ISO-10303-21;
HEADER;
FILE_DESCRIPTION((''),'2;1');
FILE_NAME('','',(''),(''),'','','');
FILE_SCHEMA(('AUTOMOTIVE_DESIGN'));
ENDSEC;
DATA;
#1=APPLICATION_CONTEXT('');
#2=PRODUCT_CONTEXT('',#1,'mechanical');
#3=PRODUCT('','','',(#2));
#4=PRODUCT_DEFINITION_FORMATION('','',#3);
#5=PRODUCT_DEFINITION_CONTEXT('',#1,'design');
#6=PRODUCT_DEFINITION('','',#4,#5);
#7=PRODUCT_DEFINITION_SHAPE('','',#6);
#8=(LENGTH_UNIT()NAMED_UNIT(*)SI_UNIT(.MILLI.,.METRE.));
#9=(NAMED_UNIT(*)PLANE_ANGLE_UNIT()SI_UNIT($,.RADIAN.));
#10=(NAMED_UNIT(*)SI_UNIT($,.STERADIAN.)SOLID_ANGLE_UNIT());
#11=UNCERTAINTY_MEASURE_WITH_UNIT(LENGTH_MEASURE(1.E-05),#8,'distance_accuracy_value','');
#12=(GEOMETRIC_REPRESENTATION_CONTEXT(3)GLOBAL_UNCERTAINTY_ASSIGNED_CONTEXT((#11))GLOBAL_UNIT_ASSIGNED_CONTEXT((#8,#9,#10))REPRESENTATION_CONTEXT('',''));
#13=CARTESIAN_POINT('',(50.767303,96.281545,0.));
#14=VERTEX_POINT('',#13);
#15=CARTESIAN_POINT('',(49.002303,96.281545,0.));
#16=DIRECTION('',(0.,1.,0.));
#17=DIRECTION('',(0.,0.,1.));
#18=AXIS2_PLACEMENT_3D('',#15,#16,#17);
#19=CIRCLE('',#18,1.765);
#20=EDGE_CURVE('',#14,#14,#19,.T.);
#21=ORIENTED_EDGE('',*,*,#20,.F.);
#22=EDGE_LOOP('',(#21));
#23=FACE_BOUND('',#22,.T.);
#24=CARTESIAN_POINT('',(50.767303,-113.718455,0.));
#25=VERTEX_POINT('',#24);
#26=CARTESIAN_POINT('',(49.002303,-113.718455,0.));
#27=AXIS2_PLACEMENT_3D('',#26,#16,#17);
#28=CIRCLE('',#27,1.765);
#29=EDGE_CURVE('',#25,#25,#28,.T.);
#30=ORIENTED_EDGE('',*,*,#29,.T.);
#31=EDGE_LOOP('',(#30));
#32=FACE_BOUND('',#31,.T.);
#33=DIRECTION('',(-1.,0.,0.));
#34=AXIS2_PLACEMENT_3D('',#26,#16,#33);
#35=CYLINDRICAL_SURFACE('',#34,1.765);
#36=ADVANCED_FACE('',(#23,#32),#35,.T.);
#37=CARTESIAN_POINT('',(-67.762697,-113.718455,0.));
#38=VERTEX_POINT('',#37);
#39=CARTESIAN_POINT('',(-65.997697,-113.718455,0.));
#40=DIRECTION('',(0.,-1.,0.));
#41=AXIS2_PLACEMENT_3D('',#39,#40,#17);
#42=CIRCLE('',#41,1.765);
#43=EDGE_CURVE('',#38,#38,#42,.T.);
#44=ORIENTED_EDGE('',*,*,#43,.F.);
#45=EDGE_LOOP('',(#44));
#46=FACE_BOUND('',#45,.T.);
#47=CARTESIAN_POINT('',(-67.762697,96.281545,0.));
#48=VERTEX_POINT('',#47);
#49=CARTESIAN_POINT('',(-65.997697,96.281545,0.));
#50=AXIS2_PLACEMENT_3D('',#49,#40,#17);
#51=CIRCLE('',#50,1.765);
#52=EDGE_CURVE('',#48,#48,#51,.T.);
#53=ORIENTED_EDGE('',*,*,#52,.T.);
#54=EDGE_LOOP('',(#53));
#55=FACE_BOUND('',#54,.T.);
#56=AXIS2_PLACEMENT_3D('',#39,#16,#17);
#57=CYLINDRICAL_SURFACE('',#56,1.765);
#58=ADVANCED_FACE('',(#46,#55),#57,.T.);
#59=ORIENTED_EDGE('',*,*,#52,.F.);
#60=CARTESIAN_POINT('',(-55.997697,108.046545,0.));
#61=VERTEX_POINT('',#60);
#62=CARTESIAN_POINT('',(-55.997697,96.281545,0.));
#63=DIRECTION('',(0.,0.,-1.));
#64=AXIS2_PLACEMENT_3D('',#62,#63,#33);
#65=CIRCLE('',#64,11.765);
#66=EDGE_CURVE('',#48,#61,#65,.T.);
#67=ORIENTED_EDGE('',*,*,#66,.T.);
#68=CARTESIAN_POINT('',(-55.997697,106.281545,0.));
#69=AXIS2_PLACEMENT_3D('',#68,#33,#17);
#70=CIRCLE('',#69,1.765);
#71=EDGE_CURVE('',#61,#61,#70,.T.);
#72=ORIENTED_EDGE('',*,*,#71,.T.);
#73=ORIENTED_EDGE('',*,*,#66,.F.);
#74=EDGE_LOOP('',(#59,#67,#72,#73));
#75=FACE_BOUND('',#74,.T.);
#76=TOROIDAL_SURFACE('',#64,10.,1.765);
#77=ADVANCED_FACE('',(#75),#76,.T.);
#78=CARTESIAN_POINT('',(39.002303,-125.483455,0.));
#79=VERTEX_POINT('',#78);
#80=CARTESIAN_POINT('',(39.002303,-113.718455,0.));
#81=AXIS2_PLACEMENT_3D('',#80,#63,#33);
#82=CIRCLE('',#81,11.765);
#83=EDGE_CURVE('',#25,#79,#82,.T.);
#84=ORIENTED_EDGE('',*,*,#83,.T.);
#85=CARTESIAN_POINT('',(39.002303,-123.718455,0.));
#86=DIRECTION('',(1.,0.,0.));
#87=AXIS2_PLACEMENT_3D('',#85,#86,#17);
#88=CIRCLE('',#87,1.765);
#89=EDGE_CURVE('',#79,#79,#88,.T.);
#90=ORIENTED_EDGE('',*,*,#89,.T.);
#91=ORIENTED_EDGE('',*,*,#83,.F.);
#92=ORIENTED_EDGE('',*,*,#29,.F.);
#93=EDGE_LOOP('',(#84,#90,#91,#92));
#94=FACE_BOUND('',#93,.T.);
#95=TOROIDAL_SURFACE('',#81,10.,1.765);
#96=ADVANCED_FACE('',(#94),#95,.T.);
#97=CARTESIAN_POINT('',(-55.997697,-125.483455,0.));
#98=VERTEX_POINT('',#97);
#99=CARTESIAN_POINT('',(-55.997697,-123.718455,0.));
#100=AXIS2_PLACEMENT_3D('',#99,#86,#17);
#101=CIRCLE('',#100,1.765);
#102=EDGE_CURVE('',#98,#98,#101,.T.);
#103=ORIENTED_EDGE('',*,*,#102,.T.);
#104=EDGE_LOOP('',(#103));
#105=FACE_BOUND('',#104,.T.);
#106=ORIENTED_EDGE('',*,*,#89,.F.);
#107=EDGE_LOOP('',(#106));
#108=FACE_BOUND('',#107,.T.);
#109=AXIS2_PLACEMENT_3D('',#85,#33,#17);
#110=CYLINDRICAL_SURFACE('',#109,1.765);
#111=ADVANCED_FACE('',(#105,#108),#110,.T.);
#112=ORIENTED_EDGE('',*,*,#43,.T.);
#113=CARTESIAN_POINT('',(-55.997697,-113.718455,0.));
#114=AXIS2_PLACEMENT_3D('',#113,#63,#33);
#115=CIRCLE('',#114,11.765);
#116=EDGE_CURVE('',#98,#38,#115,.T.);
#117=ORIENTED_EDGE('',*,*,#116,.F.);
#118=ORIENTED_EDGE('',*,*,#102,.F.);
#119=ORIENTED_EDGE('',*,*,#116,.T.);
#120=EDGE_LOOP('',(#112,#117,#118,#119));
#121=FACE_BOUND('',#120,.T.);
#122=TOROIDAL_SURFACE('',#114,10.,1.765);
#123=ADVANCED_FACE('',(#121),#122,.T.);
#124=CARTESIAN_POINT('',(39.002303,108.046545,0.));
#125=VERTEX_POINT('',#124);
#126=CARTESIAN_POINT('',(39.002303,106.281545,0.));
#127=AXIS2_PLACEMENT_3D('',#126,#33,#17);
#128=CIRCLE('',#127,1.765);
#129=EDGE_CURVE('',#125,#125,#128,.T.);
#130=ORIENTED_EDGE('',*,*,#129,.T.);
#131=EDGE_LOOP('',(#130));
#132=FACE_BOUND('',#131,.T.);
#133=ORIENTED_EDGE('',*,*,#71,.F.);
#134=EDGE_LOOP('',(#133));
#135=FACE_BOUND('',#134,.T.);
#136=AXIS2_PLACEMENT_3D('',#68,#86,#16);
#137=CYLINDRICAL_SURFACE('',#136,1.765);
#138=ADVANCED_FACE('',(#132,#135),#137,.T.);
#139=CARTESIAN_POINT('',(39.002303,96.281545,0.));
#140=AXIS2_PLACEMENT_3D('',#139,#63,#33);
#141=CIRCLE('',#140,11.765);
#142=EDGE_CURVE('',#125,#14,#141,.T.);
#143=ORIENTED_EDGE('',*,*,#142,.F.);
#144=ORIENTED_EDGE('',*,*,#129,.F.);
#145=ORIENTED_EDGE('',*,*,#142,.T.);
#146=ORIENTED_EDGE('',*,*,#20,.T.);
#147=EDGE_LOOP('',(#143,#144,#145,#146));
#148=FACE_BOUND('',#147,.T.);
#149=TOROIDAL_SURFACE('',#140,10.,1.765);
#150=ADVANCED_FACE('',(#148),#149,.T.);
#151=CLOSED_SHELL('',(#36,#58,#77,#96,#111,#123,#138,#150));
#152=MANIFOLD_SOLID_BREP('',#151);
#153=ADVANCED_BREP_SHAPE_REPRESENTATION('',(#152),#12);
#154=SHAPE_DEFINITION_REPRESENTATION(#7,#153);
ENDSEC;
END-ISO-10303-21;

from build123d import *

# Parameters (mm, degrees)
ESBO_O2_R = 1.765


with BuildPart() as part:
    # Varredura1: sweep along a path in Esboço1
    with BuildLine(Plane.XY) as varredura1_path:
        Line((-55.997697015, -123.71845513), (39.002302985, -123.71845513))
        ThreePointArc((39.002302985, -123.71845513), (46.073370797, -120.789522942), (49.002302985, -113.71845513))
        Line((49.002302985, -113.71845513), (49.002302985, 96.28154487))
        ThreePointArc((49.002302985, 96.28154487), (46.073370797, 103.352612682), (39.002302985, 106.28154487))
        Line((39.002302985, 106.28154487), (-55.997697015, 106.28154487))
        ThreePointArc((-55.997697015, 106.28154487), (-63.068764827, 103.352612682), (-65.997697015, 96.28154487))
        Line((-65.997697015, 96.28154487), (-65.997697015, -113.71845513))
        ThreePointArc((-65.997697015, -113.71845513), (-63.068764827, -120.789522942), (-55.997697015, -123.71845513))
    # Esboço2 → Varredura1 (sweep)
    with BuildSketch(Plane(origin=(0, 0, 0), x_dir=(1, 0, 0), z_dir=(0, 1, 0))):
        with Locations((49.002302985, 0)):
            Circle(ESBO_O2_R)
    sweep(path=varredura1_path.line)


solid = part.part
